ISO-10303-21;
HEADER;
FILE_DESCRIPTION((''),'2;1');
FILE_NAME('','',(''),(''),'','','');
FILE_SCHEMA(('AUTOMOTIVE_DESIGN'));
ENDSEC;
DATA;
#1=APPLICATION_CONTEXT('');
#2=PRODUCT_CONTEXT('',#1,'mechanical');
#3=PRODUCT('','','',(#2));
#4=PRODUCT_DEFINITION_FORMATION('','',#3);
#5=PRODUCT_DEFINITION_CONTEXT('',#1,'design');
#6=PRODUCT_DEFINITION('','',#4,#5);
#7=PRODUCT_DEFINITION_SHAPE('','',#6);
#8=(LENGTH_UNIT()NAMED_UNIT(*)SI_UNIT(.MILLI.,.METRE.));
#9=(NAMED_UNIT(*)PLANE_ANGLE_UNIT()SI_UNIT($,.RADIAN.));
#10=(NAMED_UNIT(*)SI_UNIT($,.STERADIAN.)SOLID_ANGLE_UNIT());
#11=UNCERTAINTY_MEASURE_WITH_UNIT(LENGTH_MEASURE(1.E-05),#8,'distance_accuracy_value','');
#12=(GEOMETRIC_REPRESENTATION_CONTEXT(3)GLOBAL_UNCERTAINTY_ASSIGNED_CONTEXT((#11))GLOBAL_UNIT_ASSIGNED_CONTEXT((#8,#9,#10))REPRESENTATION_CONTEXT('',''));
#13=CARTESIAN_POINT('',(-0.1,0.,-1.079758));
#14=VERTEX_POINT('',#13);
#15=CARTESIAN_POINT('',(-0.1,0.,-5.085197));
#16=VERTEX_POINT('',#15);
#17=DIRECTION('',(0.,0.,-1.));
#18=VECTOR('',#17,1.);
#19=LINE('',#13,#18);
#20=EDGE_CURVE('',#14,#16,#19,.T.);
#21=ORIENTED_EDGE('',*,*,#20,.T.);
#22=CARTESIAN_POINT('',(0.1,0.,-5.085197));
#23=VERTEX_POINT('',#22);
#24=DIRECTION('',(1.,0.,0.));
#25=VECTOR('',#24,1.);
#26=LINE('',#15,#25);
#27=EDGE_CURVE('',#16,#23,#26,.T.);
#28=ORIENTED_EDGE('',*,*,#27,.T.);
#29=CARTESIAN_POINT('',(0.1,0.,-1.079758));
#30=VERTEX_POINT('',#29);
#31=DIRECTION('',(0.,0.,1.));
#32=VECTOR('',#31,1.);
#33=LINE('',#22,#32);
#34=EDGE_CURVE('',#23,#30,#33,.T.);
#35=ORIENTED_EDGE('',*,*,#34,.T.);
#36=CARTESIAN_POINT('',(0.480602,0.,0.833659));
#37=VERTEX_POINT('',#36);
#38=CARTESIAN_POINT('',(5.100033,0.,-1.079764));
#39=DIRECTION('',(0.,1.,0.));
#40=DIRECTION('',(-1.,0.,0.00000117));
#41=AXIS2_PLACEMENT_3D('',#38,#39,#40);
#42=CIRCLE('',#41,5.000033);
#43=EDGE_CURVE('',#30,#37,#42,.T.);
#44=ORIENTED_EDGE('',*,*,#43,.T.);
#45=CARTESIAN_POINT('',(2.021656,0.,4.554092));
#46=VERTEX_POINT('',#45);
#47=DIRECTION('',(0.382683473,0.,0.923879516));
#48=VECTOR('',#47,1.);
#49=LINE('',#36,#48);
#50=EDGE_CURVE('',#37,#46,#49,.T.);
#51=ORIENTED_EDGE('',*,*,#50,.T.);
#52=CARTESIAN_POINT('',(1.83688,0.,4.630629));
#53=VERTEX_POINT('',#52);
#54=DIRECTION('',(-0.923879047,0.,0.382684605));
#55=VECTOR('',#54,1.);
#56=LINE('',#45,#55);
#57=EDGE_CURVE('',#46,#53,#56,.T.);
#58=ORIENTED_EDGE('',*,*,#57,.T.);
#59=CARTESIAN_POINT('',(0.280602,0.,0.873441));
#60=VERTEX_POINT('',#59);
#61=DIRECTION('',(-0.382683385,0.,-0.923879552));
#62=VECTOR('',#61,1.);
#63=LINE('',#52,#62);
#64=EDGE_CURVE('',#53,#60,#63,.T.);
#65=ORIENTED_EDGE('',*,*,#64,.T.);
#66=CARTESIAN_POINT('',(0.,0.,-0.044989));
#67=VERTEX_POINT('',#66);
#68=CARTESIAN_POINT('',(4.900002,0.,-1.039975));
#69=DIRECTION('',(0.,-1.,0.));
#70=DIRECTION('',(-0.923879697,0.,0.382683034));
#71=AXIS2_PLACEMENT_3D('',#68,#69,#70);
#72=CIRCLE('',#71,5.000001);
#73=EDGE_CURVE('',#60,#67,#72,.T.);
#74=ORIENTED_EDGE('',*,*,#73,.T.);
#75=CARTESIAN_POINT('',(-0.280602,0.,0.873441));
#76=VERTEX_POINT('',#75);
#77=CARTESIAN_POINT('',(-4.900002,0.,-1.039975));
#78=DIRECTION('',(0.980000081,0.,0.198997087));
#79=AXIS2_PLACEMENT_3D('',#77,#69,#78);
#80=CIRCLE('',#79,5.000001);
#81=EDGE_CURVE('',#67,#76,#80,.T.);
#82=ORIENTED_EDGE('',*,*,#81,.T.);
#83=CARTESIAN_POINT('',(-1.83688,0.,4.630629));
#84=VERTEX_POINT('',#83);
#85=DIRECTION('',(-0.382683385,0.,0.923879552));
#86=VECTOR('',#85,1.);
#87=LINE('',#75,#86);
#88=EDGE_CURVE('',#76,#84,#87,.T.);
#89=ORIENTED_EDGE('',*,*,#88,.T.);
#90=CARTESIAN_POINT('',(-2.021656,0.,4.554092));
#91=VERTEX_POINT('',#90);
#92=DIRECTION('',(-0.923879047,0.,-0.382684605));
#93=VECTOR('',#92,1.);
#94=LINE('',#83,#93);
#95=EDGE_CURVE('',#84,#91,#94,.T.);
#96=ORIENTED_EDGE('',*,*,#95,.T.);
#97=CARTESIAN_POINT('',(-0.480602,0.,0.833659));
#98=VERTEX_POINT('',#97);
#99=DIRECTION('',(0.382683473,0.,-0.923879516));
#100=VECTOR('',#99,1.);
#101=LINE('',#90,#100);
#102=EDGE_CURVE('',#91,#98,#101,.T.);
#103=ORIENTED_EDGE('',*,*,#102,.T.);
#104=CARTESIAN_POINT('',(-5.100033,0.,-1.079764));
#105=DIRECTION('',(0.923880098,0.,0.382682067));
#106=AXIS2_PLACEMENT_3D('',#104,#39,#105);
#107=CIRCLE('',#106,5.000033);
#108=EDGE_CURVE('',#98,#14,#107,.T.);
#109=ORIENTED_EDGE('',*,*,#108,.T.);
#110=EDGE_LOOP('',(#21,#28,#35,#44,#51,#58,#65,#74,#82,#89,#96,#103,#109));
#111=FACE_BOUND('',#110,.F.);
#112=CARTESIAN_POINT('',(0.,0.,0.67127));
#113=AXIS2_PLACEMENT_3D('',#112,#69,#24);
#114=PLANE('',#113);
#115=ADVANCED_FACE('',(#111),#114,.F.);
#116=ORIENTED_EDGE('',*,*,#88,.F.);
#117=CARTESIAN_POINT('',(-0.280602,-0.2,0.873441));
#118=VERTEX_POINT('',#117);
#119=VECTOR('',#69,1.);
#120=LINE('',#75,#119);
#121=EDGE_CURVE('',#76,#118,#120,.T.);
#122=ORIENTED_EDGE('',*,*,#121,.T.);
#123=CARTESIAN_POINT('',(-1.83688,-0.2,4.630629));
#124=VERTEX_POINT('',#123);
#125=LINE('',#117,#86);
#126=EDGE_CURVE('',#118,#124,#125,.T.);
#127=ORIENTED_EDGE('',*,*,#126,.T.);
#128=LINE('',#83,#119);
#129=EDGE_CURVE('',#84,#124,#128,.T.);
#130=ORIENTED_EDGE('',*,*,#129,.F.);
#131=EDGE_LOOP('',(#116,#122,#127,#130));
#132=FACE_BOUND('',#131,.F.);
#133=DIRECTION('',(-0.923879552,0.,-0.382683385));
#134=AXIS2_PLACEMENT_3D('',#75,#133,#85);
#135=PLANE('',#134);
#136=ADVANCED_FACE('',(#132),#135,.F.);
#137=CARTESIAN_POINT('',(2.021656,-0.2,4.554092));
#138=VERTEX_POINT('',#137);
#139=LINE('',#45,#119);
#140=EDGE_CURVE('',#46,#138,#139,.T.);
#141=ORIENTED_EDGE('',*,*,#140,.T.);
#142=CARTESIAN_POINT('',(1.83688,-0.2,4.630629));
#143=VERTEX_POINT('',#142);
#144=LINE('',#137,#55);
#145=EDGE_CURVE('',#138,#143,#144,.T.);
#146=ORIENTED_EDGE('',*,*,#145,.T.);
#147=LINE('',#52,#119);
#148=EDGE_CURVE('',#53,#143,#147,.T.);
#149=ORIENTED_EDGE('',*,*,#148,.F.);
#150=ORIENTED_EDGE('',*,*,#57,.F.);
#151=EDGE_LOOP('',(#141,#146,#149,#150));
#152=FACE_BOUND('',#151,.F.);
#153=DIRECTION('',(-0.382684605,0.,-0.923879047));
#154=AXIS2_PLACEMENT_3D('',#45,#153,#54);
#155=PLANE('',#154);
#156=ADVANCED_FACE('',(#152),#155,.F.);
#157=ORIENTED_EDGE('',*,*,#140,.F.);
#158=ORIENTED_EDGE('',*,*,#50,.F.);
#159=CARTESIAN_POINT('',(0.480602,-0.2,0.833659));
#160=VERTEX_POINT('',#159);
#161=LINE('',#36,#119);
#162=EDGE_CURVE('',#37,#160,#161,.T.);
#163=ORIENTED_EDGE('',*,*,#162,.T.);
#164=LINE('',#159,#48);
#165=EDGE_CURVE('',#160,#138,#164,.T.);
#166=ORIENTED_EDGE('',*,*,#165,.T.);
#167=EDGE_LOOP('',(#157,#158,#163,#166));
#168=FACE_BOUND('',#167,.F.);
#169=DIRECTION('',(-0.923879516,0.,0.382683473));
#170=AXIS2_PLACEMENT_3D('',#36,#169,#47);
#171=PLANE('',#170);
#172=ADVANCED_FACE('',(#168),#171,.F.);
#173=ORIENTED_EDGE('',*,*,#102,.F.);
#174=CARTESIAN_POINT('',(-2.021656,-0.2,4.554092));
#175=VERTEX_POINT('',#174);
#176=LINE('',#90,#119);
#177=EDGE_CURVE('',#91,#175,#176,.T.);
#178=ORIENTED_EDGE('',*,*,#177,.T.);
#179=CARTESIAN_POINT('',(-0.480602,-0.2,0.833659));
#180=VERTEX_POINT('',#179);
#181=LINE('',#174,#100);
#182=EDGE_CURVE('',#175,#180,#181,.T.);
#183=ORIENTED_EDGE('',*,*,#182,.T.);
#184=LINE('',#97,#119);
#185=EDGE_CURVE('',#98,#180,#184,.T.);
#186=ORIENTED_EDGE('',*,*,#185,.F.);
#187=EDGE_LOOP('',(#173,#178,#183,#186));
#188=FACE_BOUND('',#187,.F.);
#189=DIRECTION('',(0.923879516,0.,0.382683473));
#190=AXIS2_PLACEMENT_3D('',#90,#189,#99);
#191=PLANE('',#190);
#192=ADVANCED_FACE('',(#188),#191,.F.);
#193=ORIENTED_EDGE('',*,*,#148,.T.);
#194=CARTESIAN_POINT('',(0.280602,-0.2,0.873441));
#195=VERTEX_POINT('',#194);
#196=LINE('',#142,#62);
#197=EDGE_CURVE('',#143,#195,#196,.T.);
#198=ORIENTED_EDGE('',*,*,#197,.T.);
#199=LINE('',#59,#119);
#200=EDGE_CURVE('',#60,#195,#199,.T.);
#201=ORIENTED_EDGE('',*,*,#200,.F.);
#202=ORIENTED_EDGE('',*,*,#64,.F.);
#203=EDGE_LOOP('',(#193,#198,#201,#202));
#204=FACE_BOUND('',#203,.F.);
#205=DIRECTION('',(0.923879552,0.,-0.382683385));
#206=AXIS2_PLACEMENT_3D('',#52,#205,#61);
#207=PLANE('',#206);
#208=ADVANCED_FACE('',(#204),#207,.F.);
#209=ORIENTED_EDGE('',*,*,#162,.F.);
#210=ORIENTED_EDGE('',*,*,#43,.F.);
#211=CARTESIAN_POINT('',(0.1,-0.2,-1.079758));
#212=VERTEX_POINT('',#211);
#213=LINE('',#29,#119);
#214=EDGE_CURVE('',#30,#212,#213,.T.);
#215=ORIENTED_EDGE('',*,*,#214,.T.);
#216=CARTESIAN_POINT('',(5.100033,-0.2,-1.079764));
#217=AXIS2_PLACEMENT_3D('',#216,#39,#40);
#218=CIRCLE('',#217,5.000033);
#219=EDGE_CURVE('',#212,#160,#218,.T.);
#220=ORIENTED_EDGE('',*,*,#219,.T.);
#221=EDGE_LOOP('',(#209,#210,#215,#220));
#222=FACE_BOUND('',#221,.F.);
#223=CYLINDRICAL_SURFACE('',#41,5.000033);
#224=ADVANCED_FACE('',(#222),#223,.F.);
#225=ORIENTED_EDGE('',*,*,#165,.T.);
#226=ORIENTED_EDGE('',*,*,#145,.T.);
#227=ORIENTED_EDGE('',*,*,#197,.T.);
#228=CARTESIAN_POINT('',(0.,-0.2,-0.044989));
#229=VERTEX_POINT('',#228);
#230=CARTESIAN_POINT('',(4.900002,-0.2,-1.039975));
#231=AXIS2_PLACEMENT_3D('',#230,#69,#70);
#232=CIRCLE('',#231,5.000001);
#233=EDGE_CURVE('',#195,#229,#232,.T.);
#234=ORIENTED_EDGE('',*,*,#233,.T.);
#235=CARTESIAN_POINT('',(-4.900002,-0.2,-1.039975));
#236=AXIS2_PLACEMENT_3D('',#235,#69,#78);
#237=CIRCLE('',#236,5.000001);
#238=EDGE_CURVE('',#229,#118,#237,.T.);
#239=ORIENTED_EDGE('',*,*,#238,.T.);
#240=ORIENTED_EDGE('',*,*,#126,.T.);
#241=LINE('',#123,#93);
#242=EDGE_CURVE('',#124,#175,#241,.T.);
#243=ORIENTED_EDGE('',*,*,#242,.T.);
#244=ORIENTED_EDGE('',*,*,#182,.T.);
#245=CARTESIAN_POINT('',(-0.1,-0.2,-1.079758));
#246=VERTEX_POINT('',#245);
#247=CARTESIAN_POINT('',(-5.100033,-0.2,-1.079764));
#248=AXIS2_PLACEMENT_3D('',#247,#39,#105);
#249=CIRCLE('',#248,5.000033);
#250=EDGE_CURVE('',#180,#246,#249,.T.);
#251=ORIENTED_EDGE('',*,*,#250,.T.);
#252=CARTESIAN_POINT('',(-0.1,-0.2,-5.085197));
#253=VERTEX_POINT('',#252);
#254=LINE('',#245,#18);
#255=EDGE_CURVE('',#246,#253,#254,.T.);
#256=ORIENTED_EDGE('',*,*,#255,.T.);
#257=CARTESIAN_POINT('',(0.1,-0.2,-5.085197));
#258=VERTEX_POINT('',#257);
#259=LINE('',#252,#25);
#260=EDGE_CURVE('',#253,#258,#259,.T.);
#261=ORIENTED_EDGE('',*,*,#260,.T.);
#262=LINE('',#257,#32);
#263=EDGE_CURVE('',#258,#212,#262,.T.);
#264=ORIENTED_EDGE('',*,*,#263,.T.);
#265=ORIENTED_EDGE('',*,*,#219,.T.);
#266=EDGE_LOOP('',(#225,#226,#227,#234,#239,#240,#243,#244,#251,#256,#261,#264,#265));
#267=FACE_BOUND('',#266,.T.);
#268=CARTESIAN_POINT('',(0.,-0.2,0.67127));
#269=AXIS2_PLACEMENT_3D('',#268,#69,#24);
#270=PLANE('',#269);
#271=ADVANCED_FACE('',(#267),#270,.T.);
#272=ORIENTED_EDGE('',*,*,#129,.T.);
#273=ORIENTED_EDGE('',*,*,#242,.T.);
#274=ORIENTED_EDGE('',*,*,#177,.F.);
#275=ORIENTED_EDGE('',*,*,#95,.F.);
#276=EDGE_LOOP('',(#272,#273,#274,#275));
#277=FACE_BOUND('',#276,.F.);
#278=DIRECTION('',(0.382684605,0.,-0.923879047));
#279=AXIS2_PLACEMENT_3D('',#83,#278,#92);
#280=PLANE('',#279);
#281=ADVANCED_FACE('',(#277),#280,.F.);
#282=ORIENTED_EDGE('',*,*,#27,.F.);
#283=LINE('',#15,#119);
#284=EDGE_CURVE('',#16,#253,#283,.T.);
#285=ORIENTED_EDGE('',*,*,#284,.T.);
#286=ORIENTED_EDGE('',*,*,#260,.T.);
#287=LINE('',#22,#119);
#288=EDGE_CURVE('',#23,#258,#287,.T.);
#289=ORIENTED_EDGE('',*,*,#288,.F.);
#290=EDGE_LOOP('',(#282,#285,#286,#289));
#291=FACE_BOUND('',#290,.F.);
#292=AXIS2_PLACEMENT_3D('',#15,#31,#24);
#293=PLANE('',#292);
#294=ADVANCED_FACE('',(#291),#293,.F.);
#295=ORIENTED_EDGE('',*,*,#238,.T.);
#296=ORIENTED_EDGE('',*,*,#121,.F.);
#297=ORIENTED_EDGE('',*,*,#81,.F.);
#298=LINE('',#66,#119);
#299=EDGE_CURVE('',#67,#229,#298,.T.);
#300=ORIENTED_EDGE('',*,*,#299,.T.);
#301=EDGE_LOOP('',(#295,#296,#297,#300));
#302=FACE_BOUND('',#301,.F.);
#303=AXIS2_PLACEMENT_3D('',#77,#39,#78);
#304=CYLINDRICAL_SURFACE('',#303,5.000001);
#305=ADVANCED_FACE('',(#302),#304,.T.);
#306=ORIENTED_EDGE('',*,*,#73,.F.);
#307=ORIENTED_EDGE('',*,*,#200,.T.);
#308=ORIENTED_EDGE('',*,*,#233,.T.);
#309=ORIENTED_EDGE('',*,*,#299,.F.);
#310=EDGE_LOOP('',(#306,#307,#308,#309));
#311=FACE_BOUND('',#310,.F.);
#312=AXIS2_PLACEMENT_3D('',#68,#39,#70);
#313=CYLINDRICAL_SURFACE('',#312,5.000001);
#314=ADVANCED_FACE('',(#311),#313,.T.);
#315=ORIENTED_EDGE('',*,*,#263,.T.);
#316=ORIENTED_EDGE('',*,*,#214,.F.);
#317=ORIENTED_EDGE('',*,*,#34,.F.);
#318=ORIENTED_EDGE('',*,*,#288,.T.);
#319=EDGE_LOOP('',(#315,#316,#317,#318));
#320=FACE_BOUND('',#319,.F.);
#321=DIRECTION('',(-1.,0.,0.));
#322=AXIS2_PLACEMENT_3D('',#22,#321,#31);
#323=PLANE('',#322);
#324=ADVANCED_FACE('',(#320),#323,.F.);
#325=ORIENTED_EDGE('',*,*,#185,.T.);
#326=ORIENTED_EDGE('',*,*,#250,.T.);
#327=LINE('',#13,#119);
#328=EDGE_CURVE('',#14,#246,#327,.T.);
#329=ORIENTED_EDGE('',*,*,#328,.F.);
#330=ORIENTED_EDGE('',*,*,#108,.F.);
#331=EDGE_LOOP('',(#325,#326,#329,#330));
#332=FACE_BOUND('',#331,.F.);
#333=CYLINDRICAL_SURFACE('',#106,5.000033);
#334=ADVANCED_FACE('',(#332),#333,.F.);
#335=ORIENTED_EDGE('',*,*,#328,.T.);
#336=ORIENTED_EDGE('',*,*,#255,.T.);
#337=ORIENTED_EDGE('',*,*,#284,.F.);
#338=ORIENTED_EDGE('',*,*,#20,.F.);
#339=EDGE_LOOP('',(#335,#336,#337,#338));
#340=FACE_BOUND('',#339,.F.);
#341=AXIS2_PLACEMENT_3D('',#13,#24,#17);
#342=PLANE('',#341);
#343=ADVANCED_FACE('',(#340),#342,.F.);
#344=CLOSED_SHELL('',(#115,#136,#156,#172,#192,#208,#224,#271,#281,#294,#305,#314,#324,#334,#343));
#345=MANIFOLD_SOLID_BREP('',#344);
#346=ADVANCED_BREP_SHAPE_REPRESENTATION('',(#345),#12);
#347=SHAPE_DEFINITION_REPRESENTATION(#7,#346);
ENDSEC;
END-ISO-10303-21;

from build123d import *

# Parameters (mm, degrees)
F1_DEPTH = 0.2


with BuildPart() as f1:
    # F0 (on Front) → F1 (new body)
    with BuildSketch(Plane.XZ):
        with BuildLine():
            Line((-1.83688, 4.630629), (-2.021656, 4.554092))
            Line((-2.021656, 4.554092), (-0.480602, 0.833659))
            ThreePointArc((-0.480602, 0.833659), (-0.196074, -0.104307), (-0.1, -1.079758))
            Line((-0.1, -1.079758), (-0.1, -5.085197))
            Line((-0.1, -5.085197), (0.1, -5.085197))
            Line((0.1, -5.085197), (0.1, -1.079758))
            ThreePointArc((0.1, -1.079758), (0.196074, -0.104307), (0.480602, 0.833659))
            Line((0.480602, 0.833659), (2.021656, 4.554092))
            Line((2.021656, 4.554092), (1.83688, 4.630629))
            Line((1.83688, 4.630629), (0.280602, 0.873441))
            ThreePointArc((0.280602, 0.873441), (0.1182, 0.420979), (0, -0.044989))
            ThreePointArc((0, -0.044989), (-0.1182, 0.420979), (-0.280602, 0.873441))
            Line((-0.280602, 0.873441), (-1.83688, 4.630629))
        make_face()
    extrude(amount=F1_DEPTH)


solid = f1.part
